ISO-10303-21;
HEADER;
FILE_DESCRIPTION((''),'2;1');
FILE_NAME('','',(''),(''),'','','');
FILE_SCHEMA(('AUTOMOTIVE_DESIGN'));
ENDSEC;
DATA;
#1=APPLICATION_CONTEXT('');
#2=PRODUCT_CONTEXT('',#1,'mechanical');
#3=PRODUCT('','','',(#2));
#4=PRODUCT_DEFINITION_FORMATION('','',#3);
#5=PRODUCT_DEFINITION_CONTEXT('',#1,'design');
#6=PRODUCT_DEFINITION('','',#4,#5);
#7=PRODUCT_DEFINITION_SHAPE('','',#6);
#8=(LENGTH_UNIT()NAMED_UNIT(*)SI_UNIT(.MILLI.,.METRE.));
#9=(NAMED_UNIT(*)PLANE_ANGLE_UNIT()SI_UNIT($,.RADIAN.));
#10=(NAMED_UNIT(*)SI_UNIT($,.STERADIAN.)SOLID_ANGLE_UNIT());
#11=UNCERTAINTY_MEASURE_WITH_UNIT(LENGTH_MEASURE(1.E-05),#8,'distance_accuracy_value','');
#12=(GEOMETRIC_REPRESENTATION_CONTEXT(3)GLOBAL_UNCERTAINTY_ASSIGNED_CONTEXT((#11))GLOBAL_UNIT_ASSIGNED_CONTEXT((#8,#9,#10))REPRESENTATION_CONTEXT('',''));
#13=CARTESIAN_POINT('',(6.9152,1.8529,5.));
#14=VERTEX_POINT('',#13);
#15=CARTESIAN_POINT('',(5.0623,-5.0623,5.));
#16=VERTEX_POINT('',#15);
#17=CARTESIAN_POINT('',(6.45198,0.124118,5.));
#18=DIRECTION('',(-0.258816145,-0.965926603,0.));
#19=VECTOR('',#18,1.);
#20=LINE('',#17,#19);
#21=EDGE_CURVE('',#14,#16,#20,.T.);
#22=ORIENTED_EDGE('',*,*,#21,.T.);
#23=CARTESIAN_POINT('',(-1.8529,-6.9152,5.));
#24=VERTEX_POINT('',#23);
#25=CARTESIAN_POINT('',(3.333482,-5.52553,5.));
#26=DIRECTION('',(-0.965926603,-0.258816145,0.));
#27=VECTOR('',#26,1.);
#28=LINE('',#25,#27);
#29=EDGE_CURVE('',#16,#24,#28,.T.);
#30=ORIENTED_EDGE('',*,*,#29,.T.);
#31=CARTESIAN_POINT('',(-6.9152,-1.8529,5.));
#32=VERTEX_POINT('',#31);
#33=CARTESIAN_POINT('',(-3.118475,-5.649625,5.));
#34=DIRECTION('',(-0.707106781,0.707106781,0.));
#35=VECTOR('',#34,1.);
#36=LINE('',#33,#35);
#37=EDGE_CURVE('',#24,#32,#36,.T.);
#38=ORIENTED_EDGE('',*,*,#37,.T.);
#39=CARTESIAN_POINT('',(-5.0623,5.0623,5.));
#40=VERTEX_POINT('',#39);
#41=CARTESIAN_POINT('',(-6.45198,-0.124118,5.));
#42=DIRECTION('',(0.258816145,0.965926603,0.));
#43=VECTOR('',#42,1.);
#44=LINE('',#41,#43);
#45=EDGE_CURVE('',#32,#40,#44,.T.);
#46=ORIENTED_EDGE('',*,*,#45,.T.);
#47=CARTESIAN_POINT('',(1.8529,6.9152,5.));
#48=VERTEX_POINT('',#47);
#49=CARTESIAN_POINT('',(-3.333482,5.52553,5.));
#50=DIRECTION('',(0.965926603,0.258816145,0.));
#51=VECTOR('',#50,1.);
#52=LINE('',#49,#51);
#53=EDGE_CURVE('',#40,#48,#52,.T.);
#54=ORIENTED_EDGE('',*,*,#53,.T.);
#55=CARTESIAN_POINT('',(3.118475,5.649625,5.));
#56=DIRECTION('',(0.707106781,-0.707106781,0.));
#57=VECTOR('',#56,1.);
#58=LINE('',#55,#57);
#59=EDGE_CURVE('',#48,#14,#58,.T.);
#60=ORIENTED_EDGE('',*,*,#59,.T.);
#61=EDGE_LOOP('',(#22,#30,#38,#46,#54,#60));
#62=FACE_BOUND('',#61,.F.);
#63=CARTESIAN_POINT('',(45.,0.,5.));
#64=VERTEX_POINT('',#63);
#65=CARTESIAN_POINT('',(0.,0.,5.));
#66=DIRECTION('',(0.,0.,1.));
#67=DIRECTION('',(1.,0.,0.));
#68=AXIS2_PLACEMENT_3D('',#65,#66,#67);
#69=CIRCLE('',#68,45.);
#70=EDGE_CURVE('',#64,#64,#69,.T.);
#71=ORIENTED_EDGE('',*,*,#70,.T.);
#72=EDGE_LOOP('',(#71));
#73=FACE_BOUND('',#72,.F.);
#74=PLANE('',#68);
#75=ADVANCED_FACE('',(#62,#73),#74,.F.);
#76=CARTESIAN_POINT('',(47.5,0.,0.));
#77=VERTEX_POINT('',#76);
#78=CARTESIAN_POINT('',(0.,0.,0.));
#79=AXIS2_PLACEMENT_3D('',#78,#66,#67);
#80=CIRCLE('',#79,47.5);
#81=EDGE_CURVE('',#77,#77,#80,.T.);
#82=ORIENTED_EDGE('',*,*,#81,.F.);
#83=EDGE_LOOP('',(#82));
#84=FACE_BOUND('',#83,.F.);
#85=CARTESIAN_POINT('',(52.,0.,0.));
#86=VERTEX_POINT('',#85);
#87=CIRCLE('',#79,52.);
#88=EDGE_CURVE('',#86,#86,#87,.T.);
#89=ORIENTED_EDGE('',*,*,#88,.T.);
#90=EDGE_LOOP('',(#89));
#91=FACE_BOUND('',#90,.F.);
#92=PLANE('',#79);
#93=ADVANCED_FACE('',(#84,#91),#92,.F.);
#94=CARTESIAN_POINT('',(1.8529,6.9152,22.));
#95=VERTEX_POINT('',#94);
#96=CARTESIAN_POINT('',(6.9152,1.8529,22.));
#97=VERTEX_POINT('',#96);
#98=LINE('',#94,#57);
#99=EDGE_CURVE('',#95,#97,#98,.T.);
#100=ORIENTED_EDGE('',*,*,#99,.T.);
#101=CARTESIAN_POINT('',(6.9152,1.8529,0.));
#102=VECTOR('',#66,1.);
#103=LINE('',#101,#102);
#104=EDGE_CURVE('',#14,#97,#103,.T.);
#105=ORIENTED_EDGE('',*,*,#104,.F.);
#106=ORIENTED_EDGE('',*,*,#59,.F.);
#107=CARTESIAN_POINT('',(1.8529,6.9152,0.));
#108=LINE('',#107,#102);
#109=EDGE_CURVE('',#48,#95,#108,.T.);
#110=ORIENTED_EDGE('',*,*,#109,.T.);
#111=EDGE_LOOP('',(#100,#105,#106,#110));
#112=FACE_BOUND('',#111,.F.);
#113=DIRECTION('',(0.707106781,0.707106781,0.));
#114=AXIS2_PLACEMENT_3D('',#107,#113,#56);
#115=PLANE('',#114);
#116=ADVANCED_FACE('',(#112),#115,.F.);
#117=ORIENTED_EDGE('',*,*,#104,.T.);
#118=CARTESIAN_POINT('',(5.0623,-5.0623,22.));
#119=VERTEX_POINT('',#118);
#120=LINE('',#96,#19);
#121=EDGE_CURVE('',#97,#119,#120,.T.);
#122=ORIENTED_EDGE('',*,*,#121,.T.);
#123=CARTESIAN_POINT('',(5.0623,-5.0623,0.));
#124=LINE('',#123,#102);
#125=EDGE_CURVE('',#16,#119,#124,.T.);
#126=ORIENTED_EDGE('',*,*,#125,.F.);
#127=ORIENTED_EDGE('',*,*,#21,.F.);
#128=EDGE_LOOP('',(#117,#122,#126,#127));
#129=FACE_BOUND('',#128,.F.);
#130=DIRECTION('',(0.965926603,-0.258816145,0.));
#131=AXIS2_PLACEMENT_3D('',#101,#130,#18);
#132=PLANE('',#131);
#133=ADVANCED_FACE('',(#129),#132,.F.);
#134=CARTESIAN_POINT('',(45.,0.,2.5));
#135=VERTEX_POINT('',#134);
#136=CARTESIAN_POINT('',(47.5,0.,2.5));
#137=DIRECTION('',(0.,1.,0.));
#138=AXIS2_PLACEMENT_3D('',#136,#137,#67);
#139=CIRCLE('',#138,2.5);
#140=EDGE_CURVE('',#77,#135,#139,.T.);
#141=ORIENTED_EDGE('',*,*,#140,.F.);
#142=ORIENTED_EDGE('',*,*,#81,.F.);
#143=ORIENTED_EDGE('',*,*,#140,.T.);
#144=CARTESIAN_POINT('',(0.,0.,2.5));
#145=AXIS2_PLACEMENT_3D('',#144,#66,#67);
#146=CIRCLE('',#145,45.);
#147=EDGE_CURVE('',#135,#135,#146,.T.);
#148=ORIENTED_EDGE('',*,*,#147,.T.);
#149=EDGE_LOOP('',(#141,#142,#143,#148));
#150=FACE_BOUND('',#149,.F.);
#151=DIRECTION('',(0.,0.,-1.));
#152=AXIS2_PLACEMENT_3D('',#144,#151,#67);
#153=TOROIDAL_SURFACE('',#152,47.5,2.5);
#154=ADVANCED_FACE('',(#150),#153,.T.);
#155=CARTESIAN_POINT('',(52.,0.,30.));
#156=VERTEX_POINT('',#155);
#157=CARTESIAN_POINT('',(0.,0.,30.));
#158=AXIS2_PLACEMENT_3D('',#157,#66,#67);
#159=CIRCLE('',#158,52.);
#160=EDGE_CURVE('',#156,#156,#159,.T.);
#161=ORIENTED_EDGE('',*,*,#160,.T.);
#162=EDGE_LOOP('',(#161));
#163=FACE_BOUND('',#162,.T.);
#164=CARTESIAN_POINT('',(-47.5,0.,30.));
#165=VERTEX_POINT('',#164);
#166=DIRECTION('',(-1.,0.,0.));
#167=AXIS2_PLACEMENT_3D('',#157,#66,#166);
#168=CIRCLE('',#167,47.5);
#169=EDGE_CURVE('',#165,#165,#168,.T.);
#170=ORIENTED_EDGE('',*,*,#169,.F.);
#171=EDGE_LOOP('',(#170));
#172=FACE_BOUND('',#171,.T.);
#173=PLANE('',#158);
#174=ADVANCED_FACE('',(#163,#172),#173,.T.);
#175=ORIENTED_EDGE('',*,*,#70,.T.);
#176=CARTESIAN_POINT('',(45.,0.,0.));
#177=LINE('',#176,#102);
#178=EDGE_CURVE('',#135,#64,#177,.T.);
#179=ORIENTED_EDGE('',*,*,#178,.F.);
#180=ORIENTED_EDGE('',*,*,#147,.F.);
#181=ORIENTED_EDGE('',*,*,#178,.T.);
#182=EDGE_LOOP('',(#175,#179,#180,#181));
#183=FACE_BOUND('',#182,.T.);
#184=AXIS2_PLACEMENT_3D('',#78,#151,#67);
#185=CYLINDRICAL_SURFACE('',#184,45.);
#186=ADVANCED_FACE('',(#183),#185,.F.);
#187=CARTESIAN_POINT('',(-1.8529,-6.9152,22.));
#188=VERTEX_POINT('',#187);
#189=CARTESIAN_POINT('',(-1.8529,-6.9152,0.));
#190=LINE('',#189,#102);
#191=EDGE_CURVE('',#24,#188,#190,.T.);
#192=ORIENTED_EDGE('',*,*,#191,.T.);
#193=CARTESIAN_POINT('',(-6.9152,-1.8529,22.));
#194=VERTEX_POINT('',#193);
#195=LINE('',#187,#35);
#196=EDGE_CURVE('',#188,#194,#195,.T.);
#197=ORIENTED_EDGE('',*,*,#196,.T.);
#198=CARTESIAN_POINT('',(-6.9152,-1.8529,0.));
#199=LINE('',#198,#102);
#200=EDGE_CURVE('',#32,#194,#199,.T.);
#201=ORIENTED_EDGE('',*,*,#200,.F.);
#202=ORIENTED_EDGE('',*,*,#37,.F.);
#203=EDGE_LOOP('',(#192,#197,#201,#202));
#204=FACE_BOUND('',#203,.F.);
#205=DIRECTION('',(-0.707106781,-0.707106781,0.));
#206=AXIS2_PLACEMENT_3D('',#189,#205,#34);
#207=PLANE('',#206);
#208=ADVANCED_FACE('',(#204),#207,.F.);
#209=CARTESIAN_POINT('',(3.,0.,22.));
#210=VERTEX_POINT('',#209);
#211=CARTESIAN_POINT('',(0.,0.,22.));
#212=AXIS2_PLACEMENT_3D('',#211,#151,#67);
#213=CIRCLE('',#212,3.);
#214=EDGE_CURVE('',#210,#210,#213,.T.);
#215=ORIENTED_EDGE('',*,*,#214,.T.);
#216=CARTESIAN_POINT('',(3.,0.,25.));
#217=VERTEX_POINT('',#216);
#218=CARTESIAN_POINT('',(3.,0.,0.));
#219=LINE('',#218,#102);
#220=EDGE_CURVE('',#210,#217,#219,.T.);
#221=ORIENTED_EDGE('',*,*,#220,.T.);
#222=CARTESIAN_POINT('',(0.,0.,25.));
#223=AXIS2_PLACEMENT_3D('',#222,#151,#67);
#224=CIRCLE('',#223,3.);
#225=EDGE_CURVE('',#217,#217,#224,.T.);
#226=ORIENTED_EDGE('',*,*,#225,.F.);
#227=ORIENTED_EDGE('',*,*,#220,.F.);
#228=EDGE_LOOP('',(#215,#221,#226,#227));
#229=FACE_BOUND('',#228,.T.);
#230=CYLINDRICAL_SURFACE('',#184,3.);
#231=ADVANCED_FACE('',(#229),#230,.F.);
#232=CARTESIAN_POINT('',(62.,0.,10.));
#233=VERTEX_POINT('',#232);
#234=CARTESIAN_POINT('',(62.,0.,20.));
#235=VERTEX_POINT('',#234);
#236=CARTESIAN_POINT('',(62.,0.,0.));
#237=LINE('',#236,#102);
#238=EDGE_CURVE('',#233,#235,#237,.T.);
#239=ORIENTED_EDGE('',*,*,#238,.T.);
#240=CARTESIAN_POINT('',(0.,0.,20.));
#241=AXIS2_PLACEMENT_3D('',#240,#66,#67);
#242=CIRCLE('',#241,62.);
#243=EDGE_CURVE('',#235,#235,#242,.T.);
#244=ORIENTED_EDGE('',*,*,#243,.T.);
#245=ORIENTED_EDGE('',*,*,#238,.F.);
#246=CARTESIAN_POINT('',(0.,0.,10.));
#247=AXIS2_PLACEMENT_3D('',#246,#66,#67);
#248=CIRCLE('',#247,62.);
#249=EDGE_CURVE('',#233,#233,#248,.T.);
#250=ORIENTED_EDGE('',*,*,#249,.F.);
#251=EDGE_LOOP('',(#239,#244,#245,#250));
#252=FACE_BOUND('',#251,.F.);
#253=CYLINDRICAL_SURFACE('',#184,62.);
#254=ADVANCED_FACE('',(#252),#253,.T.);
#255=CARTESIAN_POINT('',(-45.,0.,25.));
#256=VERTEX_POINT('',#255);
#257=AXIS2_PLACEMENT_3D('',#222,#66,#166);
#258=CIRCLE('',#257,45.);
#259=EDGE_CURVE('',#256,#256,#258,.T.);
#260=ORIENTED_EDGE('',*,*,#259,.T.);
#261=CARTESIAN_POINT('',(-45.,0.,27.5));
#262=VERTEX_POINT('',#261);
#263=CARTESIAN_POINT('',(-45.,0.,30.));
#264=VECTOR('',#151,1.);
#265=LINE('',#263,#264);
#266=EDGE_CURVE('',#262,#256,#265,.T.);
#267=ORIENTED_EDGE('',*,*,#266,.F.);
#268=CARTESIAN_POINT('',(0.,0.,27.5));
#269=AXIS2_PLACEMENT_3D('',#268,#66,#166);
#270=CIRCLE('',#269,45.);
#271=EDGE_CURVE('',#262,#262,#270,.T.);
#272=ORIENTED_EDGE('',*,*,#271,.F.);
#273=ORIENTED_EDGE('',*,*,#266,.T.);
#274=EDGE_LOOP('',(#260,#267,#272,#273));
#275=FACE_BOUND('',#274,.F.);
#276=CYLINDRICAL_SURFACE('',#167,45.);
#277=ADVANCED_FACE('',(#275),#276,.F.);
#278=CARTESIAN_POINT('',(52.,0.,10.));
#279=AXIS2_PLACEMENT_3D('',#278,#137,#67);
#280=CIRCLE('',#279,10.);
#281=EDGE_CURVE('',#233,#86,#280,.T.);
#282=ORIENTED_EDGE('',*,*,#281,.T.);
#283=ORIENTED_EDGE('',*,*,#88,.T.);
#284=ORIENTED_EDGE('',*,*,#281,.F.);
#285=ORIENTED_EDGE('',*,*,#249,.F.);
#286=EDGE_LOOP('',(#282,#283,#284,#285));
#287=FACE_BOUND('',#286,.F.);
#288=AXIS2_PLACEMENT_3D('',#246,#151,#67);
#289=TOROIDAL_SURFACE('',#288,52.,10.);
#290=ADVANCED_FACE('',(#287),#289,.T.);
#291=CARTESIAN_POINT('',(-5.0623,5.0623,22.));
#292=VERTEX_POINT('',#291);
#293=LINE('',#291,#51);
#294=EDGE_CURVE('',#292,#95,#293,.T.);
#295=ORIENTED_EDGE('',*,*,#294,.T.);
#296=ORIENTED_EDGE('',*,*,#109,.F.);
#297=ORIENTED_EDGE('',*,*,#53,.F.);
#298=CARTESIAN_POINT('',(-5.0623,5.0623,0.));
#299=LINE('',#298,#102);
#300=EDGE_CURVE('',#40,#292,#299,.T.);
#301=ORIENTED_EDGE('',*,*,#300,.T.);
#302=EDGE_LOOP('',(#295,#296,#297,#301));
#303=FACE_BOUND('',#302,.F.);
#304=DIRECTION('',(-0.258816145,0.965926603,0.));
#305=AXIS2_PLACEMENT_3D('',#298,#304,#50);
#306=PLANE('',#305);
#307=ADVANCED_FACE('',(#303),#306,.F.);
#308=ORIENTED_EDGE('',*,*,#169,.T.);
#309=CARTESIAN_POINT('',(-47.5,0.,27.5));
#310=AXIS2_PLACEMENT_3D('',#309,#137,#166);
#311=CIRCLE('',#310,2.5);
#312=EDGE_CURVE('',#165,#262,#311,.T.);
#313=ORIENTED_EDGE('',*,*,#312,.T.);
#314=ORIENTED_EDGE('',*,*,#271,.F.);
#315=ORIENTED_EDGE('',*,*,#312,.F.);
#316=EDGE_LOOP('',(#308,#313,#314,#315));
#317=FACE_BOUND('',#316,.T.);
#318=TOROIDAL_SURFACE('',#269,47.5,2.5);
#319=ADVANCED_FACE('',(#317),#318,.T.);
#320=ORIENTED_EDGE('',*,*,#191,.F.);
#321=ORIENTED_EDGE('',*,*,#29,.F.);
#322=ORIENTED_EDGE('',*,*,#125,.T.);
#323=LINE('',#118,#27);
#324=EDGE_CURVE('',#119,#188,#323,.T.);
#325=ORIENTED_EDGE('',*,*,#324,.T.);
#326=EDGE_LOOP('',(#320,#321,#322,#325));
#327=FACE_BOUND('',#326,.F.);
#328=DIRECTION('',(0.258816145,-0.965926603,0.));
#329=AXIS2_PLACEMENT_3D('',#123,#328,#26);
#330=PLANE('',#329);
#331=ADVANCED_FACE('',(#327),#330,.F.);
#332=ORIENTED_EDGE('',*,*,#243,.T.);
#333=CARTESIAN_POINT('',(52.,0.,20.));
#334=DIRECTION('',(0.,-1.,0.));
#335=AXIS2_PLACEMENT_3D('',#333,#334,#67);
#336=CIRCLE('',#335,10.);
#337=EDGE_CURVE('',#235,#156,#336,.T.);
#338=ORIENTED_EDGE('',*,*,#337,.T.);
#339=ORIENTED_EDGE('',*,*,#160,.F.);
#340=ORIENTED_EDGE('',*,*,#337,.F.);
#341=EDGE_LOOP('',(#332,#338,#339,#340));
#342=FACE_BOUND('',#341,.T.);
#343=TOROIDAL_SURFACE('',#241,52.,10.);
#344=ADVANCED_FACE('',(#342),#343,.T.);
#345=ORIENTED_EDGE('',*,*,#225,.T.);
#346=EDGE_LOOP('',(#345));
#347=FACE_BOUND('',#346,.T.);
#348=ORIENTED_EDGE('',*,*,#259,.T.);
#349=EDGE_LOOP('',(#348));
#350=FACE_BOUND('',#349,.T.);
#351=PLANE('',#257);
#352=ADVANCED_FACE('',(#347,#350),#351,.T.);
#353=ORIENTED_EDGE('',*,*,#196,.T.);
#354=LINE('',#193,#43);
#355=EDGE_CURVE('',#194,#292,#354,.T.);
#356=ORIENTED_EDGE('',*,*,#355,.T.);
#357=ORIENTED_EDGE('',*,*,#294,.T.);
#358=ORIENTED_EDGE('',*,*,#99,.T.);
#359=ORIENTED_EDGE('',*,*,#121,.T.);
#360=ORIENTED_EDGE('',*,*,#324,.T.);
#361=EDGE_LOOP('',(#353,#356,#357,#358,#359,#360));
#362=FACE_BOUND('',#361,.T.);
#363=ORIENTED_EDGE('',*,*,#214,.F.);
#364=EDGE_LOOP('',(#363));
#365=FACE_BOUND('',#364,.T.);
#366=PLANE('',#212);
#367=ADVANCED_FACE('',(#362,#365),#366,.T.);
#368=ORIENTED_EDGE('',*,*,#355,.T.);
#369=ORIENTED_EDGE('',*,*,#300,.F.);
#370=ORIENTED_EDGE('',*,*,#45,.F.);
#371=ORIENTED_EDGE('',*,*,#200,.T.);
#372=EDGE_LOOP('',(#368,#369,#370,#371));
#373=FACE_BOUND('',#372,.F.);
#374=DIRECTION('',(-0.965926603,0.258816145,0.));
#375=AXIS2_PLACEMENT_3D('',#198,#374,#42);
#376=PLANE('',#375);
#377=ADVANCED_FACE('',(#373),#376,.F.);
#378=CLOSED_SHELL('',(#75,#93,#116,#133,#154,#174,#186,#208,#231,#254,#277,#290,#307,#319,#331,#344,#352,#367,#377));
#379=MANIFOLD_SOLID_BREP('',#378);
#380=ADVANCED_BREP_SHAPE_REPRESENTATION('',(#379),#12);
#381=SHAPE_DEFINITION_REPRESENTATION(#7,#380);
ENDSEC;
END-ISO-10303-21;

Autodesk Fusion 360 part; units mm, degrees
sketch "Sketch1" plane through (0, 0, 0) normal (0, 0, 1) x (1, 0, 0)
  circle A0 centre (0, 0) radius 62
  circle A1 centre (0, 0) radius 45
  circle A2 centre (0, 0) radius 3
  dimension "d1" = 124
  dimension "d5" = 90
  dimension "d14" = 6
extrude "Extrude1" add sketch "Sketch1" along normal blind 30 contours A0 | A1 | A2
fillet "Fillet1" radius 10 2 edges at (-57.8043, -22.4202, 30) (-57.8043, -22.4202, 0)
sketch "Sketch4" plane through (0, 0, 0) normal (0, 0, -1) x (1, 0, 0)
  circle A0 centre (0, 0) radius 52
  line L0 (6.9152, -1.8529) -> (5.0623, 5.0623)
  line L1 (5.0623, 5.0623) -> (-1.8529, 6.9152)
  line L2 (-1.8529, 6.9152) -> (-6.9152, 1.8529)
  line L3 (-6.9152, 1.8529) -> (-5.0623, -5.0623)
  line L4 (-5.0623, -5.0623) -> (1.8529, -6.9152)
  line L5 (1.8529, -6.9152) -> (6.9152, -1.8529)
  dimension "d16" = 12.4
extrude "Extrude5" cut sketch "Sketch4" against normal blind 22 contours L0 L1 L2 L3 L4 L5
extrude "Extrude2" cut sketch "Sketch1" along normal blind 5 contours A1 | A2
sketch "Sketch3" plane through (0, 0, 30) normal (0, 0, 1) x (-1, 0, 0)
  circle A0 centre (0, 0) radius 52
  circle A1 centre (0, 0) radius 45
  dimension "d9" = 90
extrude "Extrude3" cut sketch "Sketch3" against normal blind 5 contours A1
fillet "Fillet2" radius 2.5 1 edges at (41.9547, -16.2727, 30)
fillet "Fillet3" radius 2.5 1 edges at (-41.9547, -16.2727, 0)
extrude "Extrude4" cut sketch "Sketch1" along normal through all contours A2
